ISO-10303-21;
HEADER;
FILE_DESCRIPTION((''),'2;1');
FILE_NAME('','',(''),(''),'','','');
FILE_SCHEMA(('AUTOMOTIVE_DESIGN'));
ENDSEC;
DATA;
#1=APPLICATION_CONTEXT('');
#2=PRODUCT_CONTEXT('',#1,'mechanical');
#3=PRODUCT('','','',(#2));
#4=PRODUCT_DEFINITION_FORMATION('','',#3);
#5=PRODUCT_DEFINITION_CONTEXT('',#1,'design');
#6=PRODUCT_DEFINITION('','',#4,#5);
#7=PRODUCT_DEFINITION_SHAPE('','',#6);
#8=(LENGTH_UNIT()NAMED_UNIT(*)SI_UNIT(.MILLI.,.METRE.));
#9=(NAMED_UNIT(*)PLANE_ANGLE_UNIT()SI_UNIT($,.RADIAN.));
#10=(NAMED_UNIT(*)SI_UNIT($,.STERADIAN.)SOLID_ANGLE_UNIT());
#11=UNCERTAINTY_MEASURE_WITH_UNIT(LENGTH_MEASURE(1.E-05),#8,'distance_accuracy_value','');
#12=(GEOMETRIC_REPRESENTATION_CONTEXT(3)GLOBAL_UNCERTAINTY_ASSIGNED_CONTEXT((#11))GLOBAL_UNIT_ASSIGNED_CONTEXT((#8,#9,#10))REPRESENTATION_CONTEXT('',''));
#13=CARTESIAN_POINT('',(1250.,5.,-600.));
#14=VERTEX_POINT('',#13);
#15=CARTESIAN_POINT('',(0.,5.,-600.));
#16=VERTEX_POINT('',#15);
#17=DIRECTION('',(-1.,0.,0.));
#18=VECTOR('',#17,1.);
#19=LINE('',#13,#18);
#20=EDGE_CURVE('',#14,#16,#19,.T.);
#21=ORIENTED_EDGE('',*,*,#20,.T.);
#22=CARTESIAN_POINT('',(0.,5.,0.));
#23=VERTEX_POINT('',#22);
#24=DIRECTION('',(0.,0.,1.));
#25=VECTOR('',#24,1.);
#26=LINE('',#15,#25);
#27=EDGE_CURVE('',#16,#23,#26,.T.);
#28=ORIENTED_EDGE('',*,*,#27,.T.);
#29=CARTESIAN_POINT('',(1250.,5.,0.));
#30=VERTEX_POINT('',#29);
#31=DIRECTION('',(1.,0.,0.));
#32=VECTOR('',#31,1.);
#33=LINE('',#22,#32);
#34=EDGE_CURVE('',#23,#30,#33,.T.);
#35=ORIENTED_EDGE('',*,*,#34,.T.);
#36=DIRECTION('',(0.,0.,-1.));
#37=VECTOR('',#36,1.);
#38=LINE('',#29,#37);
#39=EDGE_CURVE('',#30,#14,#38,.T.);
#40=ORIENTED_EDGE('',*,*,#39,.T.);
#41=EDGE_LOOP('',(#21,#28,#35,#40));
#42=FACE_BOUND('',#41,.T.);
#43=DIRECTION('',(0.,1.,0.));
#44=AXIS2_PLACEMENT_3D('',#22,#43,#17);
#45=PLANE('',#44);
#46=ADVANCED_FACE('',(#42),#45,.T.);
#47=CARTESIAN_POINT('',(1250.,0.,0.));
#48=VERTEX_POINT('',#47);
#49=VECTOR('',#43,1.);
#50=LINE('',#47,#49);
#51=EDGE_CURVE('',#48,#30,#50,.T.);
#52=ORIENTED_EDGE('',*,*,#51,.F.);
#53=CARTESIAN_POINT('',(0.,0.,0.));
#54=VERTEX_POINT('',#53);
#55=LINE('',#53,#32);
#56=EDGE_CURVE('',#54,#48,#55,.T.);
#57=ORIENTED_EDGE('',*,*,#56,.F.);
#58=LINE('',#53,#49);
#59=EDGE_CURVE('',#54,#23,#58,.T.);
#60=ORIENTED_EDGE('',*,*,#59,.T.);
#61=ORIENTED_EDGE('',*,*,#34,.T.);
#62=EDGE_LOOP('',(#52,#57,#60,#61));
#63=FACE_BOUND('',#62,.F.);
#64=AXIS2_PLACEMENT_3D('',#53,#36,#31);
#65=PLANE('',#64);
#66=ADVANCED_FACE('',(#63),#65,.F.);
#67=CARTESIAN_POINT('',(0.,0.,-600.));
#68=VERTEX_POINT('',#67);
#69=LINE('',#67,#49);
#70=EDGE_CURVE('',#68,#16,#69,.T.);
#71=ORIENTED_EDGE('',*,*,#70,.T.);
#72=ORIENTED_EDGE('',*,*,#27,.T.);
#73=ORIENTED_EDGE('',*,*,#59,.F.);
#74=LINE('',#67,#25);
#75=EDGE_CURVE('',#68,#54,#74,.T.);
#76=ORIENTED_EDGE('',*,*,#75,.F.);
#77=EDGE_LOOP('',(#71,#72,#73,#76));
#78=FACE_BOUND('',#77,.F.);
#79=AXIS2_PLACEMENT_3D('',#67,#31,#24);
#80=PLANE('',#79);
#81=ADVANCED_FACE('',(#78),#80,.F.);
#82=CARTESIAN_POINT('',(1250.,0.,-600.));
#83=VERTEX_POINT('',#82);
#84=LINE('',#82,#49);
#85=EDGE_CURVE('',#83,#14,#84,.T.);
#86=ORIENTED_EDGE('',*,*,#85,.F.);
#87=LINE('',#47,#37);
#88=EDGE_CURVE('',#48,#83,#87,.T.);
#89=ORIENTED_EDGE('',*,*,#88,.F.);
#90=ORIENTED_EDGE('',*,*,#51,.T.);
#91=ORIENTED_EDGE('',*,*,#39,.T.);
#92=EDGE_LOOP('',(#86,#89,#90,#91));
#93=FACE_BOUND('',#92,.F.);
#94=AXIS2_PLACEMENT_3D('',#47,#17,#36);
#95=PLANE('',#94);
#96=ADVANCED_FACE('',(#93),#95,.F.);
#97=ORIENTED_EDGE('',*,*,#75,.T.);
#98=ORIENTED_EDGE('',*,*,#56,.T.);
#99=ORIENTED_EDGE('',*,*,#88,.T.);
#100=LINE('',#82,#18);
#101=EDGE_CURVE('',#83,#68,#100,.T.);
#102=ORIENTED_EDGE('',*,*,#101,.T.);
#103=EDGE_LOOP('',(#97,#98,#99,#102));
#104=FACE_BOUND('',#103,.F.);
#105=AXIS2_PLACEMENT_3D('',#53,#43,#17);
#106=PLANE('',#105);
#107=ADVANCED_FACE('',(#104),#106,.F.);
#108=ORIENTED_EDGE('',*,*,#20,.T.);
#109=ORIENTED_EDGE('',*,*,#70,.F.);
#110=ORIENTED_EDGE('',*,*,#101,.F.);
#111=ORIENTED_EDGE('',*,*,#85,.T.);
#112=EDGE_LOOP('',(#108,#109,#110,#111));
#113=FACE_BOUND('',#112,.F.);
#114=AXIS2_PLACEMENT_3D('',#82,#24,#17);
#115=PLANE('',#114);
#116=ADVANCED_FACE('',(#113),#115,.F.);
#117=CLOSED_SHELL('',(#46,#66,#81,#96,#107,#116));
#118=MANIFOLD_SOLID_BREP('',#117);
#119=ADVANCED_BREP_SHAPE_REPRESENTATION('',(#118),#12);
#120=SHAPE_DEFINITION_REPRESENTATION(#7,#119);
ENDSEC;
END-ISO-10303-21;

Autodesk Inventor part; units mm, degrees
ref_plane "YZ Plane" through (0, 0, 0) normal (1, 0, 0) x (0, 1, 0)
ref_plane "XZ Plane" through (0, 0, 0) normal (0, 1, 0) x (-1, 0, 0)
ref_plane "XY Plane" through (0, 0, 0) normal (0, 0, 1) x (1, 0, 0)
sketch "Sketch1" plane through (0, 0, 0) normal (0, 1, 0) x (-1, 0, 0)
  line L0 (0, 0) -> (-1250, 0)
  line L1 (-1250, 0) -> (-1250, -600)
  line L2 (-1250, -600) -> (0, -600)
  line L3 (0, -600) -> (0, 0)
  dimension "d0" = 1250
  dimension "d1" = 600
extrude "Extrusion1" add sketch "Sketch1" along normal blind 5
properties part number "base"
